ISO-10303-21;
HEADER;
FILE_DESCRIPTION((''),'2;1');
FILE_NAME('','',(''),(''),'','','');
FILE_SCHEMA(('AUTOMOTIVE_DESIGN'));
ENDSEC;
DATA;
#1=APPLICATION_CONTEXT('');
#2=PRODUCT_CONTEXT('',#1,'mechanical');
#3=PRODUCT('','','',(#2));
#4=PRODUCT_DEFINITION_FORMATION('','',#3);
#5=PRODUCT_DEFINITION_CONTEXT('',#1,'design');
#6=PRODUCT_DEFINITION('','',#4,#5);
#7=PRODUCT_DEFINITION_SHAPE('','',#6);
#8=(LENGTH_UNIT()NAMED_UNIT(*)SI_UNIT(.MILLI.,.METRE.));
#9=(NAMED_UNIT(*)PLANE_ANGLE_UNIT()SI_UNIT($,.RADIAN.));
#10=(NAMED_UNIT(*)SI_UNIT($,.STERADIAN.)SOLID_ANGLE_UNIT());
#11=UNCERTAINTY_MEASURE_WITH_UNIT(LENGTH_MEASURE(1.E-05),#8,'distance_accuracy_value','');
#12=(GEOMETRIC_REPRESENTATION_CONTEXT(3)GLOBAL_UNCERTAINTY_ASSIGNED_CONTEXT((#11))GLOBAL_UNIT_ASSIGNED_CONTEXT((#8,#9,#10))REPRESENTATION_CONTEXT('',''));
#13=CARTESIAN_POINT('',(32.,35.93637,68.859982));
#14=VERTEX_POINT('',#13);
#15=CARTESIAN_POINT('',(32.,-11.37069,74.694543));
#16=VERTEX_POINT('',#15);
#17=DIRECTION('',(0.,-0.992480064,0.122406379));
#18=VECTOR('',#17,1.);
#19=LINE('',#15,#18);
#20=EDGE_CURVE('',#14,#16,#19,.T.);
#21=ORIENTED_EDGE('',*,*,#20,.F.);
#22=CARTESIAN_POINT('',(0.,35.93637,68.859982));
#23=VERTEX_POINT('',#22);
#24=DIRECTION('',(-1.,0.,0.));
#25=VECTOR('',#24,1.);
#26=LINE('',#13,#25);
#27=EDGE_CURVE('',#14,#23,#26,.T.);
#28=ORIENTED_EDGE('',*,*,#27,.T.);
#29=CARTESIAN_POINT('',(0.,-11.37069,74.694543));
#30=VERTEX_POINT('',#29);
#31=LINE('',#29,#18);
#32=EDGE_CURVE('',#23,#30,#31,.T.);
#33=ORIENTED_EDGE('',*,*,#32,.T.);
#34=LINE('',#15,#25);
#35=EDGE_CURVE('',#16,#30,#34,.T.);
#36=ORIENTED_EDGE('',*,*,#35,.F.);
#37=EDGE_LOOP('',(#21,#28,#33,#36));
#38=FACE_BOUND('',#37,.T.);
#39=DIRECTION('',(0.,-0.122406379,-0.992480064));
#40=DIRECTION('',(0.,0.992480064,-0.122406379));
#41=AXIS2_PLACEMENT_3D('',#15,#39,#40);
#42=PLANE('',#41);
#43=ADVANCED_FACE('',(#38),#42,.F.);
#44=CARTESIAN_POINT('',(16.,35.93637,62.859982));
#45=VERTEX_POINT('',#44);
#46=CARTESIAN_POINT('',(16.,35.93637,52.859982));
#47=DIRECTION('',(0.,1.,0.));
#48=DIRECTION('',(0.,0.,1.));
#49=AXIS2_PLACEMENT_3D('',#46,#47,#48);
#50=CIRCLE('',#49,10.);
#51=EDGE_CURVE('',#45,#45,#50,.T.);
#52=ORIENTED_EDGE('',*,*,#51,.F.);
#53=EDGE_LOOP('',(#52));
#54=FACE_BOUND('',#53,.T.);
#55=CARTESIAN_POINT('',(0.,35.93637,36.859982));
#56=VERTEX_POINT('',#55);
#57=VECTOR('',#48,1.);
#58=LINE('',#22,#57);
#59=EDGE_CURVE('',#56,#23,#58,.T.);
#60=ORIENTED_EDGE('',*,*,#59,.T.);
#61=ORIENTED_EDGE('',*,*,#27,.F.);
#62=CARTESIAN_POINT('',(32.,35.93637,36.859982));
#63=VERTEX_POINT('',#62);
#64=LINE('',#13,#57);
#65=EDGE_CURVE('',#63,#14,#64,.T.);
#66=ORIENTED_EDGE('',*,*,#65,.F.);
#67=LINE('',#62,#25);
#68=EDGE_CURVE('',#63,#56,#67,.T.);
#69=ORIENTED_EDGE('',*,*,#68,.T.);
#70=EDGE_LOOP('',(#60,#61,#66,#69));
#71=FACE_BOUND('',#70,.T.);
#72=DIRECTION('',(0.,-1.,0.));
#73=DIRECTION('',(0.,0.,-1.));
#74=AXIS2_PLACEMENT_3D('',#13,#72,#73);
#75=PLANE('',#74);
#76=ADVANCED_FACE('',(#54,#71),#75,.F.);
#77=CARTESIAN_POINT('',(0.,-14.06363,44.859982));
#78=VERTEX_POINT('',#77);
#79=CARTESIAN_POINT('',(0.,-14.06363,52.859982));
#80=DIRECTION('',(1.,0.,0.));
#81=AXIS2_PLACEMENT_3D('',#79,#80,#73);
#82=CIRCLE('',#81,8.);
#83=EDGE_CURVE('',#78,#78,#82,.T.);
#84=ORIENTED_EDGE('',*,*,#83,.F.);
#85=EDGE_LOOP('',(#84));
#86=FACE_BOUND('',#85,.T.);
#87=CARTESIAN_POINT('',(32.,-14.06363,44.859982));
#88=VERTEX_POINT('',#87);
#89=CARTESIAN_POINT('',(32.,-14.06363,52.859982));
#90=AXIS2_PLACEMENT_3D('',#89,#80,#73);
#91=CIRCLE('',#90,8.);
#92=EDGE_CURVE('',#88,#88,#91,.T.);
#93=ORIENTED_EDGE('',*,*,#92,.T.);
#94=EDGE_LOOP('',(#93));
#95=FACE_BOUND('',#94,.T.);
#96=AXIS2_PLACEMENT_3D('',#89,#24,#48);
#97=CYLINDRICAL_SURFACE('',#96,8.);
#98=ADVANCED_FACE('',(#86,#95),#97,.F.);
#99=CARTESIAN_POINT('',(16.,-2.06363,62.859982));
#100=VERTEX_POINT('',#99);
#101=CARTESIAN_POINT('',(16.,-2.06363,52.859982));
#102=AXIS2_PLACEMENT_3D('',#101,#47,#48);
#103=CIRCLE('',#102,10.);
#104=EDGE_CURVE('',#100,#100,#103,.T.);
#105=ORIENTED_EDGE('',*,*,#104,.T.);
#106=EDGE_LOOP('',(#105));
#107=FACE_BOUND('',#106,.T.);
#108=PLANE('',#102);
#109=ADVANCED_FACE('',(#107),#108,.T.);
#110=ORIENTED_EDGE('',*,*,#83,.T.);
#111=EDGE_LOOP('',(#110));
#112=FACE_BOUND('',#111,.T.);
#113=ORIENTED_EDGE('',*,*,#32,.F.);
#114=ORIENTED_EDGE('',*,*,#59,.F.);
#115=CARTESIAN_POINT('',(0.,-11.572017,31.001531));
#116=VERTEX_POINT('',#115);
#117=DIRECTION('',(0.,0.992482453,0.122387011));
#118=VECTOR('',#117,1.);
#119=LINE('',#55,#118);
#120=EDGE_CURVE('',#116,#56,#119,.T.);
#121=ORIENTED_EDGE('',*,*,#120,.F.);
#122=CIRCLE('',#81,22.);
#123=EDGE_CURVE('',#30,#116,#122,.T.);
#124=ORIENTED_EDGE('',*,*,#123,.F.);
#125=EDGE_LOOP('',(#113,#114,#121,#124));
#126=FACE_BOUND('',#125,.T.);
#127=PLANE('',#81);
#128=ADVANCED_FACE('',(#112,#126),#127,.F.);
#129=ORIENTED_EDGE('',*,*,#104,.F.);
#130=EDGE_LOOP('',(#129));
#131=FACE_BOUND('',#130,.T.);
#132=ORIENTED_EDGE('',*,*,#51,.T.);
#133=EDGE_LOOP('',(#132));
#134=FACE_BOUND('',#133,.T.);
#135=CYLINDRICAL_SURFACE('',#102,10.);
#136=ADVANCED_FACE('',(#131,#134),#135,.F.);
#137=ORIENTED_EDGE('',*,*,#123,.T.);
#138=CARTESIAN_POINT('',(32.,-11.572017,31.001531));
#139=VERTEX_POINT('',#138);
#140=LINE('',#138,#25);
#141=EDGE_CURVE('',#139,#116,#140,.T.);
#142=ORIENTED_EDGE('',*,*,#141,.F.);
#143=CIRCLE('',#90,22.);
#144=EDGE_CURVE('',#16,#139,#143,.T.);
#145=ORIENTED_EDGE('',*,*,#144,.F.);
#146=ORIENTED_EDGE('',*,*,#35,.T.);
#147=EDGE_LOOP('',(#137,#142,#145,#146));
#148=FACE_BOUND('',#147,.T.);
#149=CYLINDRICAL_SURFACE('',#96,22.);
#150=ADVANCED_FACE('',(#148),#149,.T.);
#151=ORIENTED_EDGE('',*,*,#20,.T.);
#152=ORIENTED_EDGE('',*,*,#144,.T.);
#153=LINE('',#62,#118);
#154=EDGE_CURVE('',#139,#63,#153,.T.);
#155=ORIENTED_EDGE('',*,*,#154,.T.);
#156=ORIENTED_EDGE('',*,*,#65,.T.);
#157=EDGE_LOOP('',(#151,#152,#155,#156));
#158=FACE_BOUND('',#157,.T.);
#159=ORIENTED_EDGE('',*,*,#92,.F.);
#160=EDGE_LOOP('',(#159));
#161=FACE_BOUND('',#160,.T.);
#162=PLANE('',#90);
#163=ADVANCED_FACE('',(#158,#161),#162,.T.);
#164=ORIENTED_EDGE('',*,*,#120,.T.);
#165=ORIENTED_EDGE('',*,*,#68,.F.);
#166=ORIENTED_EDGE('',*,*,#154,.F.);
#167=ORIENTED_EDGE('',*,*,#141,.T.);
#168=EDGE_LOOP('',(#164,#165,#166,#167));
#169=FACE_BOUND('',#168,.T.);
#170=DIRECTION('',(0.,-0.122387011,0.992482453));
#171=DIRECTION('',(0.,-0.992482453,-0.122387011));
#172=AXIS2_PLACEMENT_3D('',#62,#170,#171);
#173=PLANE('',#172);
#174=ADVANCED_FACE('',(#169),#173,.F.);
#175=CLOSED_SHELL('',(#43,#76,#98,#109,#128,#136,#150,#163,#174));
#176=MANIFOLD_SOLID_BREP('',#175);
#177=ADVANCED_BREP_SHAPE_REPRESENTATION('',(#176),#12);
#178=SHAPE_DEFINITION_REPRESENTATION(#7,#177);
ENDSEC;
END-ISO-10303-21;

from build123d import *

# Parameters (mm, degrees)
IZIM1_R                     = 8
Y_KSEKLIK_EKSTR_ZYON1_DEPTH = 32
IZIM2_R                     = 10
KES_EKSTR_ZYON1_DEPTH       = 38


with BuildPart() as part:
    # Çizim1 → Yükseklik-Ekstrüzyon1 (new body)
    with BuildSketch(Plane(origin=(0, 0, 0), x_dir=(0, 0, -1), z_dir=(1, 0, 0))):
        with BuildLine():
            Line((-74.694543473, -11.370690029), (-68.859982056, 35.936369625))
            Line((-68.859982056, 35.936369625), (-36.859982056, 35.936369625))
            Line((-36.859982056, 35.936369625), (-31.001531459, -11.572016946))
            ThreePointArc((-31.001531459, -11.572016946), (-52.961351702, -36.063396833), (-74.694543473, -11.370690029))
        make_face()
        with Locations((-52.859982056, -14.063630375)):
            Circle(IZIM1_R, mode=Mode.SUBTRACT)
    extrude(amount=Y_KSEKLIK_EKSTR_ZYON1_DEPTH)

    # Çizim2 → Kes-Ekstrüzyon1 (cut)
    with BuildSketch(Plane(origin=(0, 35.936369625, 0), x_dir=(1, 0, 0), z_dir=(0, 1, 0))):
        with Locations(Location((16, -52.859982056, 0), (0, 0, 270))):
            Circle(IZIM2_R)
    extrude(amount=-KES_EKSTR_ZYON1_DEPTH, mode=Mode.SUBTRACT)


solid = part.part
